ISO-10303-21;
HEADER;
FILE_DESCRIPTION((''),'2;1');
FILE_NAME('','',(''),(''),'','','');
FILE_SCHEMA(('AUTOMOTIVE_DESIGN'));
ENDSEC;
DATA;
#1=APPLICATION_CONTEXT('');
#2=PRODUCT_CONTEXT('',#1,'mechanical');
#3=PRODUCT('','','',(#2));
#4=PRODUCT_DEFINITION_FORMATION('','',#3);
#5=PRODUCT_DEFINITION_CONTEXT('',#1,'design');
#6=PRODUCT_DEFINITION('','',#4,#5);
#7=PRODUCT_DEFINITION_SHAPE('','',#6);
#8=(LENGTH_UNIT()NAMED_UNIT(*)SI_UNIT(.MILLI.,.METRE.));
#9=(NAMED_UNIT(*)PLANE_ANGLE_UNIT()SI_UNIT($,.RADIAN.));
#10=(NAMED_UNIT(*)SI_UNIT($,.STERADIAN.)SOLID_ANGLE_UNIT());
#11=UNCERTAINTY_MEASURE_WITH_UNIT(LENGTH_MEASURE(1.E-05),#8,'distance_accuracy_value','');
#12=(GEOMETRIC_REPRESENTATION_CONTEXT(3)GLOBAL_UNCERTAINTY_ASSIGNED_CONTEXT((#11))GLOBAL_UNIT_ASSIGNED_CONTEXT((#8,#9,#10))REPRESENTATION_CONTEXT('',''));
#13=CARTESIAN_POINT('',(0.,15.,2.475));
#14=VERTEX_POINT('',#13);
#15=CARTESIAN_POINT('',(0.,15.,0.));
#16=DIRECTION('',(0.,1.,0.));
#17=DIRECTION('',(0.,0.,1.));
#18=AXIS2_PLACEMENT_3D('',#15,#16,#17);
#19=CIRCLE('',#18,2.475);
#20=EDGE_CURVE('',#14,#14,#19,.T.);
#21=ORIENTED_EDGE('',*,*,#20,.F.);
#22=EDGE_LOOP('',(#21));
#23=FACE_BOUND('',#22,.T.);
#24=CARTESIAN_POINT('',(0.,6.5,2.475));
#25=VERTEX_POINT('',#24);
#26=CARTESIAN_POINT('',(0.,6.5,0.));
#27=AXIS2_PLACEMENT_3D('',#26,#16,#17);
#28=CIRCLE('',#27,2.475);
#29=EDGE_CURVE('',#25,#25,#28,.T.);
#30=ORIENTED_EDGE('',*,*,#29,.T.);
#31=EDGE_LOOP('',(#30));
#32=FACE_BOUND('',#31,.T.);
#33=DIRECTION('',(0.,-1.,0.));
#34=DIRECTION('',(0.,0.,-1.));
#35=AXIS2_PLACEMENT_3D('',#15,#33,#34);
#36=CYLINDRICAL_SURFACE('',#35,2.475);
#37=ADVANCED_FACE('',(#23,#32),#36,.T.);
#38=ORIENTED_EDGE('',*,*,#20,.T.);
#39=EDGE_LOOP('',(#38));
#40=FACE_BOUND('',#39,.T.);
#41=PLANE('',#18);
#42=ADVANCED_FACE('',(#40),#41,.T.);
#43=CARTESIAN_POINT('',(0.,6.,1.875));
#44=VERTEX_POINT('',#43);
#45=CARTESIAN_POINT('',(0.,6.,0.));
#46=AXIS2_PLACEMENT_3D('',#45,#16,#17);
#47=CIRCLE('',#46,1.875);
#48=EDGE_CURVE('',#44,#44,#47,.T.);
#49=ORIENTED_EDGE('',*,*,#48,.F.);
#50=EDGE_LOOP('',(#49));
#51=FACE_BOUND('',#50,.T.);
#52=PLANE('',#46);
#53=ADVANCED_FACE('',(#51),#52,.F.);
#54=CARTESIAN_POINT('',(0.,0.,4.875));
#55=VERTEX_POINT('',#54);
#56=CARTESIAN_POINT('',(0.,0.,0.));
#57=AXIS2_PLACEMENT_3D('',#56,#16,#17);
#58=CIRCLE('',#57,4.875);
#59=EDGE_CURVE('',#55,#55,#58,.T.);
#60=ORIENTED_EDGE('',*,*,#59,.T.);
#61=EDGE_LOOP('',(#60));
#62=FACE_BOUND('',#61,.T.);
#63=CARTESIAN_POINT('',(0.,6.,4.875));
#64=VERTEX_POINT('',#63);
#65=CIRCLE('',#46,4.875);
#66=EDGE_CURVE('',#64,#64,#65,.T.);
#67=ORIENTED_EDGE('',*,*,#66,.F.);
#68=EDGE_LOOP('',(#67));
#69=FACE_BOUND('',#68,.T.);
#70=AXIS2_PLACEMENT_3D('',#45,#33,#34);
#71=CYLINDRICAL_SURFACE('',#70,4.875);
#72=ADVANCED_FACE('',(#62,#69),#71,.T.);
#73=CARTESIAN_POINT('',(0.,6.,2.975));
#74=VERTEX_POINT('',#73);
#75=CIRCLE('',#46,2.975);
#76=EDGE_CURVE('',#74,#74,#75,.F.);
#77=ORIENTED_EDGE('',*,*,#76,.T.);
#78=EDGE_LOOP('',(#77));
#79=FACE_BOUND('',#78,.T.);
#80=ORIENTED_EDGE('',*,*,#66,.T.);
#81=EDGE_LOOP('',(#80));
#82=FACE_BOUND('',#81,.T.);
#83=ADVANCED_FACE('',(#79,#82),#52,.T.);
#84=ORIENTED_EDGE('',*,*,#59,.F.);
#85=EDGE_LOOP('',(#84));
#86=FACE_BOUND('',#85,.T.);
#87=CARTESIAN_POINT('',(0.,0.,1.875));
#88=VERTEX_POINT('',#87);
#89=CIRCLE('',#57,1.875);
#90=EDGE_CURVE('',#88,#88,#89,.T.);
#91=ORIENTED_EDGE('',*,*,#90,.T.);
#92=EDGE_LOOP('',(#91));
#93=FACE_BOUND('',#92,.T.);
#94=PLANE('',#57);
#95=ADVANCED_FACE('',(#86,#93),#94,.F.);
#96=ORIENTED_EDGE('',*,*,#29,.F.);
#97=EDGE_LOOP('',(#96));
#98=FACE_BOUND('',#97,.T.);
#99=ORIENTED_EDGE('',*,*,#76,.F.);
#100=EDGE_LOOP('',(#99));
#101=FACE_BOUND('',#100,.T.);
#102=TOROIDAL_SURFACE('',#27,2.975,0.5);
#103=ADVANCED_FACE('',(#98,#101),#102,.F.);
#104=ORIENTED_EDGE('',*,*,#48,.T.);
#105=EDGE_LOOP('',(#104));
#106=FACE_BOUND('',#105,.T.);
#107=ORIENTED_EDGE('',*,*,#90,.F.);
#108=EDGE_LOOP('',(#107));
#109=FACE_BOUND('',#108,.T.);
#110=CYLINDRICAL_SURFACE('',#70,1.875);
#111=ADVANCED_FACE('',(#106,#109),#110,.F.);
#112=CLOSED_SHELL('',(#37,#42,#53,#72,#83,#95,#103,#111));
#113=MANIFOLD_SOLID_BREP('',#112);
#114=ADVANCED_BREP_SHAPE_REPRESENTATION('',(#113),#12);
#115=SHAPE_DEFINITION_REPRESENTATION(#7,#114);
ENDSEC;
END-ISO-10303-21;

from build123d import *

# Parameters (mm, degrees)
SKETCH1_R           = 4.875
SKETCH1_R_2         = 1.875
BOSS_EXTRUDE1_DEPTH = 6
SKETCH2_R           = 2.475
BOSS_EXTRUDE2_DEPTH = 9
FILLET1_R           = 0.5


with BuildPart() as part:
    # Sketch1 → Boss-Extrude1 (new body)
    with BuildSketch(Plane(origin=(0, 0, 0), x_dir=(1, 0, 0), z_dir=(0, 1, 0))):
        Circle(SKETCH1_R)
        Circle(SKETCH1_R_2, mode=Mode.SUBTRACT)
    extrude(amount=BOSS_EXTRUDE1_DEPTH)

    # Sketch2 → Boss-Extrude2 (add)
    with BuildSketch(Plane(origin=(0, 6, 0), x_dir=(1, 0, 0), z_dir=(0, 1, 0))):
        Circle(SKETCH2_R)
    extrude(amount=BOSS_EXTRUDE2_DEPTH)

    # Fillet1
    fillet1_edges = [part.edges().sort_by_distance(p)[0] for p in [
        (-2.475, 6, 0),
    ]]
    fillet(fillet1_edges, radius=FILLET1_R)


solid = part.part
